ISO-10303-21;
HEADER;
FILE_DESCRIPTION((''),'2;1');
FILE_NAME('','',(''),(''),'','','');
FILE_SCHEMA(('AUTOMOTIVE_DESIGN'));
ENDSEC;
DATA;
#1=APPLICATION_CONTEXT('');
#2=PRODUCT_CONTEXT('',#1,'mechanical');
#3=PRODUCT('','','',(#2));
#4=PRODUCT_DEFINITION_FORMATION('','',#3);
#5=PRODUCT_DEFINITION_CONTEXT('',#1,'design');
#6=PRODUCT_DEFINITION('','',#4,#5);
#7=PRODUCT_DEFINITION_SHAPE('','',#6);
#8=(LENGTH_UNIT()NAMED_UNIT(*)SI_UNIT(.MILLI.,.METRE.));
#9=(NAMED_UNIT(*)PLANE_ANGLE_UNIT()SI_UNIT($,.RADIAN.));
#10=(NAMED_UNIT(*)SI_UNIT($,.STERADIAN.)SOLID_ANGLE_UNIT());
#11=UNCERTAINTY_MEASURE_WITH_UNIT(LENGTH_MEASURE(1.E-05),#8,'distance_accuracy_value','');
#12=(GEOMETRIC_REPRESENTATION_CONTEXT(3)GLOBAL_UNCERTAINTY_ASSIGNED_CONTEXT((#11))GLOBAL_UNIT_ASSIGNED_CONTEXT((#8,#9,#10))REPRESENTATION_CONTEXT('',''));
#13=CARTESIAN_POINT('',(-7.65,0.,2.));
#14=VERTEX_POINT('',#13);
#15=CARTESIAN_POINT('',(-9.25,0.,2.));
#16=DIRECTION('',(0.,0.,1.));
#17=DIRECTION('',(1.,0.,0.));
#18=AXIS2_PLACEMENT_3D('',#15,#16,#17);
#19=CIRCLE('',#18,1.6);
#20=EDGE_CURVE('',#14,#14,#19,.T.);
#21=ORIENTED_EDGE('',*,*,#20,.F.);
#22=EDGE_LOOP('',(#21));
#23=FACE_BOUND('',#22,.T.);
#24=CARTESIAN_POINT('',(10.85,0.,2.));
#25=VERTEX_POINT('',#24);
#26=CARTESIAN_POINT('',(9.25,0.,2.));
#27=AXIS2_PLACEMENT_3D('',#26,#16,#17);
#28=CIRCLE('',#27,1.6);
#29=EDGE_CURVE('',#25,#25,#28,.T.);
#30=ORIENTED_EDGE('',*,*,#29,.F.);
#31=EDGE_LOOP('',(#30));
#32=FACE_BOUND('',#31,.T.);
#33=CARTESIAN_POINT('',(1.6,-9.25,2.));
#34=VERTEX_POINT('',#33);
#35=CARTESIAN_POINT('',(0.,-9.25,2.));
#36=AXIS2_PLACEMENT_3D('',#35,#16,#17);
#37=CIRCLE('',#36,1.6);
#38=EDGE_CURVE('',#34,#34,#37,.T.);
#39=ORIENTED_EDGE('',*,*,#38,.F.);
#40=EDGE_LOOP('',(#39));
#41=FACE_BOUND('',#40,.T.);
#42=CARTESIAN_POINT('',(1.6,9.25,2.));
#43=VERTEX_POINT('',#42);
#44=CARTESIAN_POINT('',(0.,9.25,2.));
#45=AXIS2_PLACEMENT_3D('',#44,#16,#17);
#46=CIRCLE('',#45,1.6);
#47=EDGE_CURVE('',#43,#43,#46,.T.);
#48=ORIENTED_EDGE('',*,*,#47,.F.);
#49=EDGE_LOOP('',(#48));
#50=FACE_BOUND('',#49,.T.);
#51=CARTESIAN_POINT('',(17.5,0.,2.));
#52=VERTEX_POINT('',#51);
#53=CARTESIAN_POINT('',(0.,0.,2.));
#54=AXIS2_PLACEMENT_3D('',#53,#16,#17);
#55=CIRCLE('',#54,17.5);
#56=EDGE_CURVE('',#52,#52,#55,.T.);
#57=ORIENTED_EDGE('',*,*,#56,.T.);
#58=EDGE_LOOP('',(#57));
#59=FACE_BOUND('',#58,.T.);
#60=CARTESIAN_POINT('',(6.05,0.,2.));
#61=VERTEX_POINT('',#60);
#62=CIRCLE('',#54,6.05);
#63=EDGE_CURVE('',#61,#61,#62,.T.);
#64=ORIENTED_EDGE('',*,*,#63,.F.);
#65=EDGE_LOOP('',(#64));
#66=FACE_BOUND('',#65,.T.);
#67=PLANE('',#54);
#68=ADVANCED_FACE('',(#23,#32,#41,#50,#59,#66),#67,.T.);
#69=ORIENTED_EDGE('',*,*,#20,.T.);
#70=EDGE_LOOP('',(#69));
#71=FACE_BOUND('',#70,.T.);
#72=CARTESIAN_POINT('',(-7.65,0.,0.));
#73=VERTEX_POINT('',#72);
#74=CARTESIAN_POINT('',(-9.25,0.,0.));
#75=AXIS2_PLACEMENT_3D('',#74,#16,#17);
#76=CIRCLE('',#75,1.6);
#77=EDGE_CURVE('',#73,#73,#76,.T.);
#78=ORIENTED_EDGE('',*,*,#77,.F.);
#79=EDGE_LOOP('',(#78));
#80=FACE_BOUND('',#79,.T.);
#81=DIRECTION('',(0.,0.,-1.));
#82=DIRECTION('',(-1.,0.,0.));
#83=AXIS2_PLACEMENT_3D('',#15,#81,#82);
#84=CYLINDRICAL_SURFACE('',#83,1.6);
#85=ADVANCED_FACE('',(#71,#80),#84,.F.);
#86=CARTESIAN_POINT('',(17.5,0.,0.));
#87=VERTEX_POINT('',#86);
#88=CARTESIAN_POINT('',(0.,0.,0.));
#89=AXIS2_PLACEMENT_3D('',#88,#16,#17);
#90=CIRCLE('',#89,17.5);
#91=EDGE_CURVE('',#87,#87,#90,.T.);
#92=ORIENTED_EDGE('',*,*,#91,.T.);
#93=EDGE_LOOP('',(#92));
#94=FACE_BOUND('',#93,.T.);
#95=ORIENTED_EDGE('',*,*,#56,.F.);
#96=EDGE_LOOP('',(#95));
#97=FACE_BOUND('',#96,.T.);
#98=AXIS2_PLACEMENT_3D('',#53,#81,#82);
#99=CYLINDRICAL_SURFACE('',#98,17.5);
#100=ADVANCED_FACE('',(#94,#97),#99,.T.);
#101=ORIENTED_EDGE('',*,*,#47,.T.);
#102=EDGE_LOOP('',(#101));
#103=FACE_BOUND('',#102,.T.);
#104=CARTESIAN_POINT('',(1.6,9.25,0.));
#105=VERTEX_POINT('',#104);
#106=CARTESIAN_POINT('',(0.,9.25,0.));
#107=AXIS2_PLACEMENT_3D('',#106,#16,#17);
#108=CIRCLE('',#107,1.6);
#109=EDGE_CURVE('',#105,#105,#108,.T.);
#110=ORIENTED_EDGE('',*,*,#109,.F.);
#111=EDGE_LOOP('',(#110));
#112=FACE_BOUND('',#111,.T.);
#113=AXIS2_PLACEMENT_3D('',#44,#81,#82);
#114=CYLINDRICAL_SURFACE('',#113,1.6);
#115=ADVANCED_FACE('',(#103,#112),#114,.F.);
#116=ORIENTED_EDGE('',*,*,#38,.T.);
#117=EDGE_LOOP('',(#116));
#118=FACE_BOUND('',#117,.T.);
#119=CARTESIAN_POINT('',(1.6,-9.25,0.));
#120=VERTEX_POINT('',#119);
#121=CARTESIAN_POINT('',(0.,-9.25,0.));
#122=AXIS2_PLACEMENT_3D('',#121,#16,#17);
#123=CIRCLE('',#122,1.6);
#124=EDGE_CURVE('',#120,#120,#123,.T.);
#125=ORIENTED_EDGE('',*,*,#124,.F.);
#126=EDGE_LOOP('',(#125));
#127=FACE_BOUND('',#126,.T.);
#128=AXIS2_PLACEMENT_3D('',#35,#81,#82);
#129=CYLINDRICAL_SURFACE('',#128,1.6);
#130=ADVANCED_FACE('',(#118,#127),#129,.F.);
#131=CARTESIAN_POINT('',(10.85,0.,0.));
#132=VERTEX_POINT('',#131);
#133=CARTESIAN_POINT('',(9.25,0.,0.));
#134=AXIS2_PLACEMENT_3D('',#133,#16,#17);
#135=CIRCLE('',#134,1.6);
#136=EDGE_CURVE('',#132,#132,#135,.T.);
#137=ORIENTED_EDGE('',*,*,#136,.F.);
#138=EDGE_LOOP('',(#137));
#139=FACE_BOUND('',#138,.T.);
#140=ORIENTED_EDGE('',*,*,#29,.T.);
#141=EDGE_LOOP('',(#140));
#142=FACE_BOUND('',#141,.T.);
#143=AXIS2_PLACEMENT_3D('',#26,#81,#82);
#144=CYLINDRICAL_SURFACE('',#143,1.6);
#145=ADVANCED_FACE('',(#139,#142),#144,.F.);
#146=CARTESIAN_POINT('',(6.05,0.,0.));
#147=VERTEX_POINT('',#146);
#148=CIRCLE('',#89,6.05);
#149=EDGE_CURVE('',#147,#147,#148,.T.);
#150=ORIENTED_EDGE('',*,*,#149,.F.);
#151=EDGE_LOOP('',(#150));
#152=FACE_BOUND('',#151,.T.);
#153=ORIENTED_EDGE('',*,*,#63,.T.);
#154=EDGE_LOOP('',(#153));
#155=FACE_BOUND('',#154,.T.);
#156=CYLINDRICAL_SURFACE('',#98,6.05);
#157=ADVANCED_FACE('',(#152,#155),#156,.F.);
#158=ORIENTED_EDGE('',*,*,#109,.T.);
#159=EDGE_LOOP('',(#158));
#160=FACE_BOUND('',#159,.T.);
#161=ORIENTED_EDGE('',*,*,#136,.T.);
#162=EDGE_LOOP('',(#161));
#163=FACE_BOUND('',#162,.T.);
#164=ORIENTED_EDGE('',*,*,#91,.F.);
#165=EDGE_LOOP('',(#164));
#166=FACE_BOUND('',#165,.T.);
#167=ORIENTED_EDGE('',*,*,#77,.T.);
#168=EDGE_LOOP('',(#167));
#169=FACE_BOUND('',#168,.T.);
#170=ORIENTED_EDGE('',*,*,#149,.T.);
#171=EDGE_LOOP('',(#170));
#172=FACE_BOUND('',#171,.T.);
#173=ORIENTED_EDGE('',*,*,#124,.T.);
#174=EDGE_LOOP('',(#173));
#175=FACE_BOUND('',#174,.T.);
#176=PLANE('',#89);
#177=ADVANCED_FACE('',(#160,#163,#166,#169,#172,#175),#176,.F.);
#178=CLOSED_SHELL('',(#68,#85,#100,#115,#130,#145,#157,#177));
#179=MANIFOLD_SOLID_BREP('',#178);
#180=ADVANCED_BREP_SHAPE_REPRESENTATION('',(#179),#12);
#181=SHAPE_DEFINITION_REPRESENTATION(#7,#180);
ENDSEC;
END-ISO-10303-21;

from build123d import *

# Parameters (mm, degrees)
SKETCH_1_R      = 17.5
SKETCH_1_R_2    = 1.6
SKETCH_1_R_3    = 6.05
EXTRUDE_1_DEPTH = 2


with BuildPart() as part:
    # ｽｹｯﾁ1 → ﾎﾞｽ - 押し出し1 (new body)
    with BuildSketch(Plane.XY):
        Circle(SKETCH_1_R)
        with Locations((0, 9.25)):
            Circle(SKETCH_1_R_2, mode=Mode.SUBTRACT)
        with Locations((9.25, 0)):
            Circle(SKETCH_1_R_2, mode=Mode.SUBTRACT)
        with Locations((-9.25, 0)):
            Circle(SKETCH_1_R_2, mode=Mode.SUBTRACT)
        with Locations((0, -9.25)):
            Circle(SKETCH_1_R_2, mode=Mode.SUBTRACT)
        Circle(SKETCH_1_R_3, mode=Mode.SUBTRACT)
    extrude(amount=EXTRUDE_1_DEPTH)


solid = part.part
